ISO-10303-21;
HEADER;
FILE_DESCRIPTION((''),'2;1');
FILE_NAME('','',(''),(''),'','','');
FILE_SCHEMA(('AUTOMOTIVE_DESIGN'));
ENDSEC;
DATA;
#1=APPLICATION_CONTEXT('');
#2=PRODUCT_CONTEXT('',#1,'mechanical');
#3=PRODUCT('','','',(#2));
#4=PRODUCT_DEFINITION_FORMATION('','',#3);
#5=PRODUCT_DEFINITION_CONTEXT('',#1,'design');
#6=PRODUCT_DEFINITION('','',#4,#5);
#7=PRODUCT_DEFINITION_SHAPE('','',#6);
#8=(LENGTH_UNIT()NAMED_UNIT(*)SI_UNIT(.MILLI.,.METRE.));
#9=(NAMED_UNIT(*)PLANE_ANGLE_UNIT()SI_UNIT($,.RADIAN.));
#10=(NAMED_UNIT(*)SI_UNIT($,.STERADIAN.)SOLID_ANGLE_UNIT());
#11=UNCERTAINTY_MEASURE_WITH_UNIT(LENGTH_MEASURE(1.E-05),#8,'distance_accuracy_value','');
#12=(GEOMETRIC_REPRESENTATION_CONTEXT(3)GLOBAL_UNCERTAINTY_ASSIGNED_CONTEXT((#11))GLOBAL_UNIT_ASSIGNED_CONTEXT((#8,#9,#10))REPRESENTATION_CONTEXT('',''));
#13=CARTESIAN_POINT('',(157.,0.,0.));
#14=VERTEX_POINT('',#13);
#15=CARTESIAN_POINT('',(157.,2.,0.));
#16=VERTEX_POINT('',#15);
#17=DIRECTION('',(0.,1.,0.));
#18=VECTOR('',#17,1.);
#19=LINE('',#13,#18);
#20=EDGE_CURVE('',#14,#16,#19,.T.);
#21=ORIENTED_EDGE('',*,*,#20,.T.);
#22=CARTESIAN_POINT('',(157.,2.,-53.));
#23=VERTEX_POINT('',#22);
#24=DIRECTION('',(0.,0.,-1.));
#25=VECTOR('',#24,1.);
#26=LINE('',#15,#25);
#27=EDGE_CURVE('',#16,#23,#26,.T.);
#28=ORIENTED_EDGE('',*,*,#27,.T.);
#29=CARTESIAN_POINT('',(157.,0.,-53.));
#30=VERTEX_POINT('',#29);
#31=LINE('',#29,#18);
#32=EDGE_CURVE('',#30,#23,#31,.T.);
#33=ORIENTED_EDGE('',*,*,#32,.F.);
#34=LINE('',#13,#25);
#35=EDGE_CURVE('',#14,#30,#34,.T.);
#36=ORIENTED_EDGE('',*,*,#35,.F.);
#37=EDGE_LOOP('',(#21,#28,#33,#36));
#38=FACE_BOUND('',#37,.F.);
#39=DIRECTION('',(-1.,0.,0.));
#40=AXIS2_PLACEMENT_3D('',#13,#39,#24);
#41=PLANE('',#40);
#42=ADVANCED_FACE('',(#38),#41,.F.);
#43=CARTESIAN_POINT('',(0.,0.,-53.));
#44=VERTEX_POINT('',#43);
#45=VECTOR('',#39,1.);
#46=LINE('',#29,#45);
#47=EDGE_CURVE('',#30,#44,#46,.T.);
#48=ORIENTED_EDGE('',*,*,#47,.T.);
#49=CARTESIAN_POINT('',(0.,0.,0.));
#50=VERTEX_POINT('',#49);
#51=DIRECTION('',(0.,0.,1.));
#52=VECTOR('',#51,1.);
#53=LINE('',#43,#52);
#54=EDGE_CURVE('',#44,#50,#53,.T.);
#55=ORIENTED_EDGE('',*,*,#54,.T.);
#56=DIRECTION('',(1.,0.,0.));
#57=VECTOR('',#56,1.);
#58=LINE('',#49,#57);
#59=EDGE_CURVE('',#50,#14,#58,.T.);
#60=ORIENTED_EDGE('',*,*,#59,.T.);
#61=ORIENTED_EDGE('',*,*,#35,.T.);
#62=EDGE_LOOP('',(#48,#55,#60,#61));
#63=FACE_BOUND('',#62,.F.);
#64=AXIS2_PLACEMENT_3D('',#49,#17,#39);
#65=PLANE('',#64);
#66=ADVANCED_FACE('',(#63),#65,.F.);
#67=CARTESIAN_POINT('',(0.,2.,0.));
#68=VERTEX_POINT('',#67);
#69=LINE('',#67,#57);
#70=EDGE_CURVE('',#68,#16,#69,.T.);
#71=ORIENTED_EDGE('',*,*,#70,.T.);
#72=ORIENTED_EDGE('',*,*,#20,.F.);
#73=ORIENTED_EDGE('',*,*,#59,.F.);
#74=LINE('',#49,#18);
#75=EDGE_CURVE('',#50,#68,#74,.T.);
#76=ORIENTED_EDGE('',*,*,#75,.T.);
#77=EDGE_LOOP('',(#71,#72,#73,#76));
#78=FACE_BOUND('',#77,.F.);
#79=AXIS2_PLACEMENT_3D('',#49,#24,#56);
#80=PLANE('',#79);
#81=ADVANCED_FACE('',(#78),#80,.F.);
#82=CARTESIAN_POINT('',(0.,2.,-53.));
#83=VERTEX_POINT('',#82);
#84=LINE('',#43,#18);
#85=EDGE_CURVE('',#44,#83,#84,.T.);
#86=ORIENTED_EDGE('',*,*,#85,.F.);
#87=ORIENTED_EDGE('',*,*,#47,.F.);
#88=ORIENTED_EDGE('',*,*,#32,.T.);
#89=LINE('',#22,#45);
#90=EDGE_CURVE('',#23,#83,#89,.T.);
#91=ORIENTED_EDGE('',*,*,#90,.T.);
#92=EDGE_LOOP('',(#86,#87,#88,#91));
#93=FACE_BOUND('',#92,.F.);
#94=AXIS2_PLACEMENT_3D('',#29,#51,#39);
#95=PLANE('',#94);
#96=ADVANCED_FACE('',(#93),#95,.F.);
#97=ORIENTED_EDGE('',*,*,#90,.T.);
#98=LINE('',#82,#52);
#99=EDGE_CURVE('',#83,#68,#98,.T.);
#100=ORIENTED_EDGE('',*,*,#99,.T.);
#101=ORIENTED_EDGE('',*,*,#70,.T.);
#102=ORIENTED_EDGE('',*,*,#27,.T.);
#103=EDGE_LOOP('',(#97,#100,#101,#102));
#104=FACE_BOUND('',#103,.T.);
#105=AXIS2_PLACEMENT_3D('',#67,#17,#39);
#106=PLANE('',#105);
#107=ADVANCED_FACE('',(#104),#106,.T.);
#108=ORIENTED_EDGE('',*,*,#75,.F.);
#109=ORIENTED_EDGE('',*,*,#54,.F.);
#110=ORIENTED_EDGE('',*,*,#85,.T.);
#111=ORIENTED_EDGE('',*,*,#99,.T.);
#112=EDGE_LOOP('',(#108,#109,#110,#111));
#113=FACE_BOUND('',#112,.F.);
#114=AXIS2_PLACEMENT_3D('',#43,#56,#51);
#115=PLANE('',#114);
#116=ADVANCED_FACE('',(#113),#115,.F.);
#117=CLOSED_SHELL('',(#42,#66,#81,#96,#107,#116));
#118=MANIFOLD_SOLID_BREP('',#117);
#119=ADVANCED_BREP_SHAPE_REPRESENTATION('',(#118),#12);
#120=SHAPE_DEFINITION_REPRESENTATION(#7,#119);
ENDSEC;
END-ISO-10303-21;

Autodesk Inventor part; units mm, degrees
ref_plane "YZ Plane" through (0, 0, 0) normal (1, 0, 0) x (0, 1, 0)
ref_plane "XZ Plane" through (0, 0, 0) normal (0, 1, 0) x (-1, 0, 0)
ref_plane "XY Plane" through (0, 0, 0) normal (0, 0, 1) x (1, 0, 0)
sketch "スケッチ1" plane through (0, 0, 0) normal (0, 1, 0) x (-1, 0, 0)
  line L0 (0, 0) -> (-157, 0)
  line L1 (-157, 0) -> (-157, -53)
  line L2 (-157, -53) -> (0, -53)
  line L3 (0, -53) -> (0, 0)
  dimension "d0" = 53
  dimension "d1" = 157
extrude "押し出し1" add sketch "スケッチ1" along normal blind 2
properties part number "サーボ隠し"
